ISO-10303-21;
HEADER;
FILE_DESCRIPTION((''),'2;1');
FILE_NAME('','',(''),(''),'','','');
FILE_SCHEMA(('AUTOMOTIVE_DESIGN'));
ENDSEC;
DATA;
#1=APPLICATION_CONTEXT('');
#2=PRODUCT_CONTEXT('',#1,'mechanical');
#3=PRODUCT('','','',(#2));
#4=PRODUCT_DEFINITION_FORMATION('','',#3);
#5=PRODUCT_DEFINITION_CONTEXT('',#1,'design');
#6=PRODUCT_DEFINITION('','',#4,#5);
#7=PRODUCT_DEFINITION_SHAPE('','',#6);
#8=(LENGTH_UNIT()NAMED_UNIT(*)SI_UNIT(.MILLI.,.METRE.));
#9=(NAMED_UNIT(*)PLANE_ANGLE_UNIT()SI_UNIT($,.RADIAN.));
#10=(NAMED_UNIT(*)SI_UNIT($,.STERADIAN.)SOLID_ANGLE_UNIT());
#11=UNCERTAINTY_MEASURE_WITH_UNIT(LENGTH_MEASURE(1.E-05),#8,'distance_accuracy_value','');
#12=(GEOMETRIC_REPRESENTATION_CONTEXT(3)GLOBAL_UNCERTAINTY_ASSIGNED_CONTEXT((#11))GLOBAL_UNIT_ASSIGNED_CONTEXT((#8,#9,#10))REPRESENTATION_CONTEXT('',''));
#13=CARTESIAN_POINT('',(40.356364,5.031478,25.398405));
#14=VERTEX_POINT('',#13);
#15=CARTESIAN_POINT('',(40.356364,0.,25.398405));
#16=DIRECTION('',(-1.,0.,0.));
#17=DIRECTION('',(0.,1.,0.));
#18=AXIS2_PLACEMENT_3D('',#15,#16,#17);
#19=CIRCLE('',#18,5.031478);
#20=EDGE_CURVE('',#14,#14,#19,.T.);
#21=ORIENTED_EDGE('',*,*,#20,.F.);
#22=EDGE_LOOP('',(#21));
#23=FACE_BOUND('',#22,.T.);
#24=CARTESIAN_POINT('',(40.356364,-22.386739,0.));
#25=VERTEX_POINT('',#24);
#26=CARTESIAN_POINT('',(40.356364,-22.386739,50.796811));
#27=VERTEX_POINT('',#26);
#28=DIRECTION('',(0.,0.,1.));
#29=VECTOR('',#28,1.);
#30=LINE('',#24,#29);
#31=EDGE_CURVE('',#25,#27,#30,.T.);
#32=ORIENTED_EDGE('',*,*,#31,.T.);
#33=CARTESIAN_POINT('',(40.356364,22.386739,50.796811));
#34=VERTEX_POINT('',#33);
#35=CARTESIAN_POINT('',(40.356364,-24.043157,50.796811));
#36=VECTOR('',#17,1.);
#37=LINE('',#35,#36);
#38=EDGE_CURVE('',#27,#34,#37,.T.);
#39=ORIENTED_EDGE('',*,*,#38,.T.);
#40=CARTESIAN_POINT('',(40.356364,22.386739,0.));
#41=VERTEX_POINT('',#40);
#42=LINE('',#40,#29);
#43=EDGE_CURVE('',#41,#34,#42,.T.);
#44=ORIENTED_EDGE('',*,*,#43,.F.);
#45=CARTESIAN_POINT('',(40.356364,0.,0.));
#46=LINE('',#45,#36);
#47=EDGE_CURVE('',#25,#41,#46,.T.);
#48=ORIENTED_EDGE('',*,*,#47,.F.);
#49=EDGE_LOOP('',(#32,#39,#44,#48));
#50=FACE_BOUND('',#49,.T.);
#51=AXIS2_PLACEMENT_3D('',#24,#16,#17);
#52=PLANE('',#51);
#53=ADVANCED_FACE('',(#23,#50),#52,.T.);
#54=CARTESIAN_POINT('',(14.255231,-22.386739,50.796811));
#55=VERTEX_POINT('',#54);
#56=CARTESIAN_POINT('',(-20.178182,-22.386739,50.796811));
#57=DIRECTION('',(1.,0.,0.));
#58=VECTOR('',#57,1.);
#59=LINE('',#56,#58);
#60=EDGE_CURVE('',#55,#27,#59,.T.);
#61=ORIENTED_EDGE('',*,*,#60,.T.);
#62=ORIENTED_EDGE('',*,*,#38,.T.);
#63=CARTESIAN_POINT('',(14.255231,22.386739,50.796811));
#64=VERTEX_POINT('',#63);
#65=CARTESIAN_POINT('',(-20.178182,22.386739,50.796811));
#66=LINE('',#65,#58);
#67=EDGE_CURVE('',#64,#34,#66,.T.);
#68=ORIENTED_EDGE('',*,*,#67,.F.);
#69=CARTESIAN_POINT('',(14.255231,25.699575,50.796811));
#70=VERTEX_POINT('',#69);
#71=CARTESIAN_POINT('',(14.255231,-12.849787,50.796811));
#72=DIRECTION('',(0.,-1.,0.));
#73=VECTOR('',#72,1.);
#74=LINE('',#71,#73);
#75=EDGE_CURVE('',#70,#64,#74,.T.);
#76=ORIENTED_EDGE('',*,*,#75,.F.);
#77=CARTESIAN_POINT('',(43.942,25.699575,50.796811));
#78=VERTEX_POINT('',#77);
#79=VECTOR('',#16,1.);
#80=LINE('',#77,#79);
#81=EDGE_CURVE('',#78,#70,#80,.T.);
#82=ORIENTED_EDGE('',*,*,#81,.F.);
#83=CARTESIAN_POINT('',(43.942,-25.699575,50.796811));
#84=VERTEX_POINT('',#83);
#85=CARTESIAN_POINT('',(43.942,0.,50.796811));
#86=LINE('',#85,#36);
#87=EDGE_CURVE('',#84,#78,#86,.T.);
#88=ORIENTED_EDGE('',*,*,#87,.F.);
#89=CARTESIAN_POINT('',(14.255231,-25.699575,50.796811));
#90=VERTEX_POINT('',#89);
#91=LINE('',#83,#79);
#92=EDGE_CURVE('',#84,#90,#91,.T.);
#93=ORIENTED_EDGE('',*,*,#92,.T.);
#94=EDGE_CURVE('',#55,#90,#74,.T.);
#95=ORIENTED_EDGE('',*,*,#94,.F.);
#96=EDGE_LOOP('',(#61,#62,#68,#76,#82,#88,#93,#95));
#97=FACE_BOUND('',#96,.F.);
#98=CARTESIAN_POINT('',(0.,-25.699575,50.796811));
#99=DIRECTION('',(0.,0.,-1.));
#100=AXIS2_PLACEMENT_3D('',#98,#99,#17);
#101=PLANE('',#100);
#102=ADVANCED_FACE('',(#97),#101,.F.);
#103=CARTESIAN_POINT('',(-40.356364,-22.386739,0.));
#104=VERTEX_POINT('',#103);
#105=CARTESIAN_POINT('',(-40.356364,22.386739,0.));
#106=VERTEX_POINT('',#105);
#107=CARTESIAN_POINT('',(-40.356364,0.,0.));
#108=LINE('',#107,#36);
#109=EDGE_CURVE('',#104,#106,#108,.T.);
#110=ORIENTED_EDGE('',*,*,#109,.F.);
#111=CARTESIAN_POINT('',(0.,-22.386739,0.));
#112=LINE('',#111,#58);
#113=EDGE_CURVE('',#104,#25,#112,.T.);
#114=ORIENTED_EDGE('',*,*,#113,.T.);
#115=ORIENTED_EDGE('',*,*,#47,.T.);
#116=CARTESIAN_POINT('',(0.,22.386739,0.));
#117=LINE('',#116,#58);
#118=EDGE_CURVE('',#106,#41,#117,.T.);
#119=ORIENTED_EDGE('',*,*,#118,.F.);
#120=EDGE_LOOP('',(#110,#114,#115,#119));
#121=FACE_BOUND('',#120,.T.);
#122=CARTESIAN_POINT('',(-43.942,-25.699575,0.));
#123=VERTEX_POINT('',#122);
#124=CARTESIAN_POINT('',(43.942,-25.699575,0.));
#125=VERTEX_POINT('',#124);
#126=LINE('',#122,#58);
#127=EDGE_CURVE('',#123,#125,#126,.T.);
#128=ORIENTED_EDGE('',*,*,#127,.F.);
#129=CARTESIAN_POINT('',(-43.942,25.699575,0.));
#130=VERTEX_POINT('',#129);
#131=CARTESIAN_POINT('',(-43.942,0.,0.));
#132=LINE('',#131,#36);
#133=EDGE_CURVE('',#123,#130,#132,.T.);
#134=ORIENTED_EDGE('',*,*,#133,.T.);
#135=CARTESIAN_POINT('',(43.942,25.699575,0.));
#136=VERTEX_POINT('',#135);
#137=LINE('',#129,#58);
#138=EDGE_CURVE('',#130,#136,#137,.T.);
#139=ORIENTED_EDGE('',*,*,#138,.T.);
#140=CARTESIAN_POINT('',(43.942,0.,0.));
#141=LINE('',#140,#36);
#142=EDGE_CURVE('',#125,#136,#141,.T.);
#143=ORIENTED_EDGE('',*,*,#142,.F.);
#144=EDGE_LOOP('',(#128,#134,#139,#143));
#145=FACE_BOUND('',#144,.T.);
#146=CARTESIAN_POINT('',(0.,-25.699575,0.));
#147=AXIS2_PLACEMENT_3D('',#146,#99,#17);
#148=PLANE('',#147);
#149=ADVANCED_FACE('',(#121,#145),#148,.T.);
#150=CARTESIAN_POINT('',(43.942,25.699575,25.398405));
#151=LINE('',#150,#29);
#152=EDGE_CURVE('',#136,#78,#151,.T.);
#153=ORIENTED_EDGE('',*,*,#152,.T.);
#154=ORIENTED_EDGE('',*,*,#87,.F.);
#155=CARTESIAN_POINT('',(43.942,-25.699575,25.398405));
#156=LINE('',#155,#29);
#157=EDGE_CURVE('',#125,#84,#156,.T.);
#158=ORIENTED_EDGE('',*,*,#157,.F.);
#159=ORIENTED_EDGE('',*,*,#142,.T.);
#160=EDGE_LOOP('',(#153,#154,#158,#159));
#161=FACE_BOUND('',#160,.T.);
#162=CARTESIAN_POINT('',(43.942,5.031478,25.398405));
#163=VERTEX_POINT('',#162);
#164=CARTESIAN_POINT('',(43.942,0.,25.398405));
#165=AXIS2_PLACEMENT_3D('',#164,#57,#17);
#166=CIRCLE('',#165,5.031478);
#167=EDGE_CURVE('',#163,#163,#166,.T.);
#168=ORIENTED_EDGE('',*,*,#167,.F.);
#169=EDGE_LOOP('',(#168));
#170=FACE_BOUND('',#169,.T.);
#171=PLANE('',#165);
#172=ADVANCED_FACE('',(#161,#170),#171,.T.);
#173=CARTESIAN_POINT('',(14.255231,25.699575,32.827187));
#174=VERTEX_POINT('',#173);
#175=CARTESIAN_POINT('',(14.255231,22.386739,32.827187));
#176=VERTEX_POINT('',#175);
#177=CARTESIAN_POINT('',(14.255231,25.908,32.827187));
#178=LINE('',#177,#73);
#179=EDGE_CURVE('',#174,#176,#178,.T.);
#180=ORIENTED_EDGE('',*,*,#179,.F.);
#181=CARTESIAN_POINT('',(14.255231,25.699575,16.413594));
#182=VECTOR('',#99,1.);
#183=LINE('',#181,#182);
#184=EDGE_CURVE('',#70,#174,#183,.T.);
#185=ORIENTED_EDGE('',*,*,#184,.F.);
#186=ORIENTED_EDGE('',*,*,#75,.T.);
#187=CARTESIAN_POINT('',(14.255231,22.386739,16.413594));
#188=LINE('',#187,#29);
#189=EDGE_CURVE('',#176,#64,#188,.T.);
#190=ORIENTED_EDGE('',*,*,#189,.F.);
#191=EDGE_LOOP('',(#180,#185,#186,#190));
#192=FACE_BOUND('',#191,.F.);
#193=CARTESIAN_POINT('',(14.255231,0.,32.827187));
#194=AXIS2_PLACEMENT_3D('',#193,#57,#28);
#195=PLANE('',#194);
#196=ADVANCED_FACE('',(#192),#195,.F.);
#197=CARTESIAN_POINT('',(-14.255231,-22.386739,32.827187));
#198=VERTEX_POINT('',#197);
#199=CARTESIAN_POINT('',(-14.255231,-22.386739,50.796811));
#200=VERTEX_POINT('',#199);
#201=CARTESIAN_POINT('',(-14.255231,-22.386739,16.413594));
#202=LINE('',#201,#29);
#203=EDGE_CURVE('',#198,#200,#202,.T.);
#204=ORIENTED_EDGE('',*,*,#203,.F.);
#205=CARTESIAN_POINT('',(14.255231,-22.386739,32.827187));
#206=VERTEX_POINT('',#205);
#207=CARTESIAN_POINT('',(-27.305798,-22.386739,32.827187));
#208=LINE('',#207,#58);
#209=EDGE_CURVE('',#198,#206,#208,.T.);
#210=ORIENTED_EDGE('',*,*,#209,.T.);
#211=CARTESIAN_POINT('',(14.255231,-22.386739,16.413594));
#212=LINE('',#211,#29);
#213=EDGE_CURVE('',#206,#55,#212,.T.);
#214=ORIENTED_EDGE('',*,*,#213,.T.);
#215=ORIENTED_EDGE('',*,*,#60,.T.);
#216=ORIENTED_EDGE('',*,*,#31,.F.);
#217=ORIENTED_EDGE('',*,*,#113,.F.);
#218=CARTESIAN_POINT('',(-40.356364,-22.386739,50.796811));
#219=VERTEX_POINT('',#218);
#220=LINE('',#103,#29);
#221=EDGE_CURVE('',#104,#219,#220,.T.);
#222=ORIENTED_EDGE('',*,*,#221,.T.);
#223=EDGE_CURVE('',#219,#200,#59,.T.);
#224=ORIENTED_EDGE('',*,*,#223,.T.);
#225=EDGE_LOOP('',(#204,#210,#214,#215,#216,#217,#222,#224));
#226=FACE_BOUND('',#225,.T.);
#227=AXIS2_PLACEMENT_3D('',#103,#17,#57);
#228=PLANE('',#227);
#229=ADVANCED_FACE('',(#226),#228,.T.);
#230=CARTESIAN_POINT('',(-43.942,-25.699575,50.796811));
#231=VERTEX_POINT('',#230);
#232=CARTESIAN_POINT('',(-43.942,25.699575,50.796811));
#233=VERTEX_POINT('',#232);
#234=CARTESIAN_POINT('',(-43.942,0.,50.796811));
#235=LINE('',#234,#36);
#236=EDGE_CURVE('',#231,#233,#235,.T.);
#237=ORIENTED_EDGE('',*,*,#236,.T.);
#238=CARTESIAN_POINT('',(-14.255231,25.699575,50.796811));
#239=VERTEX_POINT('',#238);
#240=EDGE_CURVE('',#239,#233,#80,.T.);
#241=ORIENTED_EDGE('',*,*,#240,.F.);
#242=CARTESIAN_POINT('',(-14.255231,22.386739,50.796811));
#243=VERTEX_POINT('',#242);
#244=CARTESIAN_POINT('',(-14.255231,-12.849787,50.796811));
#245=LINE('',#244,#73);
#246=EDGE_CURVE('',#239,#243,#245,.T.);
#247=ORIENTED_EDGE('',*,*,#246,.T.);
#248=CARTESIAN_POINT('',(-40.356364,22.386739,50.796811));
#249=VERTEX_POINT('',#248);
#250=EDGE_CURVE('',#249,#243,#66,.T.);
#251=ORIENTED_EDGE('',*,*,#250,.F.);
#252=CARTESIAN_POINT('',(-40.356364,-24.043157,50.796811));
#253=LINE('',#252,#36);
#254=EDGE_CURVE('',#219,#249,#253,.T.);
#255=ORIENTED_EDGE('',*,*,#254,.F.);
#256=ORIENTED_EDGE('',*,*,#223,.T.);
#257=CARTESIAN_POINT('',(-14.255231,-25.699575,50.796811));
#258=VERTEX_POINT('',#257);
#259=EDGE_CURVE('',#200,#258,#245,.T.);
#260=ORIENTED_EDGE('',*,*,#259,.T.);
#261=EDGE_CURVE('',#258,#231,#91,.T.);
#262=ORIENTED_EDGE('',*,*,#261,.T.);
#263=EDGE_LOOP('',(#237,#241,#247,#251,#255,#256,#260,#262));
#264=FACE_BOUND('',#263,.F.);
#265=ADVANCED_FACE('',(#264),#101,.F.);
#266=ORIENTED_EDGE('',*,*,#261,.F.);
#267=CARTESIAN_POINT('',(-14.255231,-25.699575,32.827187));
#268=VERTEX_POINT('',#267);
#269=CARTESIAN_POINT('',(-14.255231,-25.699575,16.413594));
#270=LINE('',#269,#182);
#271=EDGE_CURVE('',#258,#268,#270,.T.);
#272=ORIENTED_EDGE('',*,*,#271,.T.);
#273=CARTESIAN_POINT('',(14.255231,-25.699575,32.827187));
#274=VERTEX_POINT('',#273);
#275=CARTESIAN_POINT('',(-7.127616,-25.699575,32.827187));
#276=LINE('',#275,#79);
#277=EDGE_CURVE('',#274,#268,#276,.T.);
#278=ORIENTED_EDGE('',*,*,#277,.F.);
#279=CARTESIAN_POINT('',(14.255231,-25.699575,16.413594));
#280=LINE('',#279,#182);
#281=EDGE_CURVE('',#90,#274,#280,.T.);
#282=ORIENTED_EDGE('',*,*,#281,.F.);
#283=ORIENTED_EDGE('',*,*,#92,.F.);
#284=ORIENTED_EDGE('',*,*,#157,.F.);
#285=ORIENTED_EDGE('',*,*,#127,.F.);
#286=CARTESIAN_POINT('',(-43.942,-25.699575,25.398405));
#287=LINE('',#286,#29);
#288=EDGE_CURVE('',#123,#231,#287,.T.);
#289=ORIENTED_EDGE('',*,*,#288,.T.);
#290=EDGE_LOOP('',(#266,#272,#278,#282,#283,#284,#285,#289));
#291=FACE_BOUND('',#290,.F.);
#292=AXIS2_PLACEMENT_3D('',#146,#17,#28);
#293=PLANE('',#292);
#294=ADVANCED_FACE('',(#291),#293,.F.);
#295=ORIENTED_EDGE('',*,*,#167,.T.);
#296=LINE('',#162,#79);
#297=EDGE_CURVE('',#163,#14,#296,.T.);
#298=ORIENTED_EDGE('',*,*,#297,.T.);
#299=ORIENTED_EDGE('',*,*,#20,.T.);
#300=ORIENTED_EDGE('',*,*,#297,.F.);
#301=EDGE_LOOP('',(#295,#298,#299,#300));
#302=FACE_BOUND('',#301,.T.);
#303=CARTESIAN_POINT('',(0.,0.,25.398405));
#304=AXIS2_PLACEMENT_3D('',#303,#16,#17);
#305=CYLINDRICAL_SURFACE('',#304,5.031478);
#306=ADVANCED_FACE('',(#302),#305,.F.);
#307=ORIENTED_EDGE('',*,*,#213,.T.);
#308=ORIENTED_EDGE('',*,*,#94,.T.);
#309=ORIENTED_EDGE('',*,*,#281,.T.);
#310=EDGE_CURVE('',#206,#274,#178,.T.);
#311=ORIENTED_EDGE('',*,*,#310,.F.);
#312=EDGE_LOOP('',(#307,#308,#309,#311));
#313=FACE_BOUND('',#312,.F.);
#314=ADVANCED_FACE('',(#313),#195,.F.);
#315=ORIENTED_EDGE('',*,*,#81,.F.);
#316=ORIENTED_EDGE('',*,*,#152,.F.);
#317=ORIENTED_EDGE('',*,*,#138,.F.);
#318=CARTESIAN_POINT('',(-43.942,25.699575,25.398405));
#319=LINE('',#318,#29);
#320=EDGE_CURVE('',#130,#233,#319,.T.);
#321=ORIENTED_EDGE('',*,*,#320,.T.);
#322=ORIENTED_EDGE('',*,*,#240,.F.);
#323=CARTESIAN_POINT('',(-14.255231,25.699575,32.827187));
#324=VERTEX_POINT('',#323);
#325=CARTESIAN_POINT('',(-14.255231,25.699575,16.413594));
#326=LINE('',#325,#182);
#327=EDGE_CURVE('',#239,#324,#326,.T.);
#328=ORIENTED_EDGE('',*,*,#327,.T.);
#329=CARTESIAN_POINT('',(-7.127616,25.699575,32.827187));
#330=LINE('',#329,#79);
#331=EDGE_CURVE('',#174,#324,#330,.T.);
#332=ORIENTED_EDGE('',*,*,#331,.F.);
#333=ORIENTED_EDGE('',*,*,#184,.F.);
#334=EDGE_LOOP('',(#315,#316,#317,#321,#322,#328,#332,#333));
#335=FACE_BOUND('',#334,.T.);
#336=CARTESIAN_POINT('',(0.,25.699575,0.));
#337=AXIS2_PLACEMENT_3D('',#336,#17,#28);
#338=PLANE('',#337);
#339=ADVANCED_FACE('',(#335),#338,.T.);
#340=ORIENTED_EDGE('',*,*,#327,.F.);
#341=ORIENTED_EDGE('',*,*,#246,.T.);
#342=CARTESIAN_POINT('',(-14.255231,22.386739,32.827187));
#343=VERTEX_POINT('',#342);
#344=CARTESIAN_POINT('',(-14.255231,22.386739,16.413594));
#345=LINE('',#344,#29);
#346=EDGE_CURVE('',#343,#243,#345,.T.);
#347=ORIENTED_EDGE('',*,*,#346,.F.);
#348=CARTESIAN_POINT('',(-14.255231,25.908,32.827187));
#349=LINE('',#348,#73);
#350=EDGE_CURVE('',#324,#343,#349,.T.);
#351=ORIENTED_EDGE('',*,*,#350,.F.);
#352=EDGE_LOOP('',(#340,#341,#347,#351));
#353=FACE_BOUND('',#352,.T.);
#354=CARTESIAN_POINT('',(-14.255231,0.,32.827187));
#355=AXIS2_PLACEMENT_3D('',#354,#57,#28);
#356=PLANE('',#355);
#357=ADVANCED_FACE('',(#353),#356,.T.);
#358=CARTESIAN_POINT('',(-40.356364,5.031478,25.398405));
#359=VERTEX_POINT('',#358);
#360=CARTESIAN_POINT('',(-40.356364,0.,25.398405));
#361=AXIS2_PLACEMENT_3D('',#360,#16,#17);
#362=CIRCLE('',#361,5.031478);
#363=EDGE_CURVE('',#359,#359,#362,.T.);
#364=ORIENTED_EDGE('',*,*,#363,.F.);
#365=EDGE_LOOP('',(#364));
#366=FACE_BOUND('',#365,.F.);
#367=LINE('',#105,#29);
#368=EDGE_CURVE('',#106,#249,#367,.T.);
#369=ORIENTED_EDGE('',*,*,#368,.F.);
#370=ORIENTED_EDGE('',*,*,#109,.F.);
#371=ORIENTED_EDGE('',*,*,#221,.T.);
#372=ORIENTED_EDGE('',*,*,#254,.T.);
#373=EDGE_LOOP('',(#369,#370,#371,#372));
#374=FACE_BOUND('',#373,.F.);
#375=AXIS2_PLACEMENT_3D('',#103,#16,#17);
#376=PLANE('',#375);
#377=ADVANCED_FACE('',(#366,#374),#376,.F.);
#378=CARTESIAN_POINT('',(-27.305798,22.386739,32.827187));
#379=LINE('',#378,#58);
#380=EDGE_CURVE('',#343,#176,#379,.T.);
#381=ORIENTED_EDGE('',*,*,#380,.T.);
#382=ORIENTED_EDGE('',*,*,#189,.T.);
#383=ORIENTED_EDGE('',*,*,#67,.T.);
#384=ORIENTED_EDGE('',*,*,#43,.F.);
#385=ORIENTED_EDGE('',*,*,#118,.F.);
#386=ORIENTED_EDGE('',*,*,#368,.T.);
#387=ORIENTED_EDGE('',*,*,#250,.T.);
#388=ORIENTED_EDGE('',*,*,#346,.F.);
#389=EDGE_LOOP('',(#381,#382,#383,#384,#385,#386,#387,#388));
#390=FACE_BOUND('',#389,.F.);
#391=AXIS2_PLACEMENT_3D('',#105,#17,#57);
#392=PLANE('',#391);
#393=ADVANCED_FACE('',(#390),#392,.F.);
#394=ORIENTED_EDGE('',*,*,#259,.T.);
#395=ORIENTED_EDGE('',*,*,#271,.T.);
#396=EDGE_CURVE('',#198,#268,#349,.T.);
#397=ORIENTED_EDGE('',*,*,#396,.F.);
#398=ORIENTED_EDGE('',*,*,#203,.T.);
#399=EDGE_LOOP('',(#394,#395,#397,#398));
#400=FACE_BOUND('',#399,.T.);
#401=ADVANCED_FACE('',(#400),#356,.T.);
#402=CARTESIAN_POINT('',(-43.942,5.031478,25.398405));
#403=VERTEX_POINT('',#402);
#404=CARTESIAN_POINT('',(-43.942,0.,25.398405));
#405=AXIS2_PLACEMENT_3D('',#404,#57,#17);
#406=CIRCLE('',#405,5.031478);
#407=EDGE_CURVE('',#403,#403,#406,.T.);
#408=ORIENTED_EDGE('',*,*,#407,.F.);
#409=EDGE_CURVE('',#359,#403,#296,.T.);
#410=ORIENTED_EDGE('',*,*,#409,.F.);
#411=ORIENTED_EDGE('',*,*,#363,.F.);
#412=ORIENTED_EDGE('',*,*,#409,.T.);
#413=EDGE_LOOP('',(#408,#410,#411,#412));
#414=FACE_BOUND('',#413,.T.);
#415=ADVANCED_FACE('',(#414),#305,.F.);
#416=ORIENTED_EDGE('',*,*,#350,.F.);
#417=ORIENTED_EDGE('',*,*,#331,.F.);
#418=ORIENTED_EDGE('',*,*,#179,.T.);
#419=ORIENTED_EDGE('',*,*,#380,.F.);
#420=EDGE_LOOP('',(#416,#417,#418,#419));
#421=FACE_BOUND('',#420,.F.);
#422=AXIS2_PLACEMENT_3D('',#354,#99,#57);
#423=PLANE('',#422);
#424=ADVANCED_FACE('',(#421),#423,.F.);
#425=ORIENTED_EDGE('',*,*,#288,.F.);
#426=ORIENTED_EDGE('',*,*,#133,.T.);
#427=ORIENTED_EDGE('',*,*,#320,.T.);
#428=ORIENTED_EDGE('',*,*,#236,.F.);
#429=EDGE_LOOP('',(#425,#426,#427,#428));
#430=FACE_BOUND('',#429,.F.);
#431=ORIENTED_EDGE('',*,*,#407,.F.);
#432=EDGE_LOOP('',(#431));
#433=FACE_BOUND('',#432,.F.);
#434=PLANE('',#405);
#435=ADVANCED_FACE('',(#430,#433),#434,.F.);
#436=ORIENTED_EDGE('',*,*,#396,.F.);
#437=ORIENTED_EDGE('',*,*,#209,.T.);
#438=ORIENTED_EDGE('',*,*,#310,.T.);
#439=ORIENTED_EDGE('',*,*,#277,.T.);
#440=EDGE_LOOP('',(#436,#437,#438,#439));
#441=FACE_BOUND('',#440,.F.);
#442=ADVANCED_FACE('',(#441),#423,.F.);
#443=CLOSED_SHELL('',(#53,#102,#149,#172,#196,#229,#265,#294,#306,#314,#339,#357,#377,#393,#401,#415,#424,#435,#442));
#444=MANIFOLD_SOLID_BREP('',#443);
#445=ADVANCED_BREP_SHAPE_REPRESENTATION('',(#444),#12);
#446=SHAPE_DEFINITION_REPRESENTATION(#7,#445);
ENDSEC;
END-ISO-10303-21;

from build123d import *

# Parameters (mm, degrees)
F0_W     = 51.3991490006
F0_H     = 50.7968105376
F0_R     = 5.0314784616
F1_DEPTH = 43.942
F2_W     = 28.5104624927
F2_H     = 18.070012331
F3_DEPTH = 25.908
F4_W     = 80.7127282023
F4_H     = 44.773478061
F5_DEPTH = 84.836


with BuildPart() as f1:
    # F0 (on Right) → F1 (new body, symmetric)
    with BuildSketch(Plane.YZ):
        with Locations((0, 25.3984052688)):
            Rectangle(F0_W, F0_H)
        with Locations((0, 25.3984052688)):
            Circle(F0_R, mode=Mode.SUBTRACT)
    extrude(amount=F1_DEPTH, both=True)

    # F2 (on Front) → F3 (cut, symmetric)
    with BuildSketch(Plane.XZ):
        with Locations((0, 41.862193495)):
            Rectangle(F2_W, F2_H)
    extrude(amount=F3_DEPTH, both=True, mode=Mode.SUBTRACT)

    # F4 (on Top) → F5 (cut)
    with BuildSketch(Plane.XY):
        Rectangle(F4_W, F4_H)
    extrude(amount=F5_DEPTH, mode=Mode.SUBTRACT)


solid = f1.part
